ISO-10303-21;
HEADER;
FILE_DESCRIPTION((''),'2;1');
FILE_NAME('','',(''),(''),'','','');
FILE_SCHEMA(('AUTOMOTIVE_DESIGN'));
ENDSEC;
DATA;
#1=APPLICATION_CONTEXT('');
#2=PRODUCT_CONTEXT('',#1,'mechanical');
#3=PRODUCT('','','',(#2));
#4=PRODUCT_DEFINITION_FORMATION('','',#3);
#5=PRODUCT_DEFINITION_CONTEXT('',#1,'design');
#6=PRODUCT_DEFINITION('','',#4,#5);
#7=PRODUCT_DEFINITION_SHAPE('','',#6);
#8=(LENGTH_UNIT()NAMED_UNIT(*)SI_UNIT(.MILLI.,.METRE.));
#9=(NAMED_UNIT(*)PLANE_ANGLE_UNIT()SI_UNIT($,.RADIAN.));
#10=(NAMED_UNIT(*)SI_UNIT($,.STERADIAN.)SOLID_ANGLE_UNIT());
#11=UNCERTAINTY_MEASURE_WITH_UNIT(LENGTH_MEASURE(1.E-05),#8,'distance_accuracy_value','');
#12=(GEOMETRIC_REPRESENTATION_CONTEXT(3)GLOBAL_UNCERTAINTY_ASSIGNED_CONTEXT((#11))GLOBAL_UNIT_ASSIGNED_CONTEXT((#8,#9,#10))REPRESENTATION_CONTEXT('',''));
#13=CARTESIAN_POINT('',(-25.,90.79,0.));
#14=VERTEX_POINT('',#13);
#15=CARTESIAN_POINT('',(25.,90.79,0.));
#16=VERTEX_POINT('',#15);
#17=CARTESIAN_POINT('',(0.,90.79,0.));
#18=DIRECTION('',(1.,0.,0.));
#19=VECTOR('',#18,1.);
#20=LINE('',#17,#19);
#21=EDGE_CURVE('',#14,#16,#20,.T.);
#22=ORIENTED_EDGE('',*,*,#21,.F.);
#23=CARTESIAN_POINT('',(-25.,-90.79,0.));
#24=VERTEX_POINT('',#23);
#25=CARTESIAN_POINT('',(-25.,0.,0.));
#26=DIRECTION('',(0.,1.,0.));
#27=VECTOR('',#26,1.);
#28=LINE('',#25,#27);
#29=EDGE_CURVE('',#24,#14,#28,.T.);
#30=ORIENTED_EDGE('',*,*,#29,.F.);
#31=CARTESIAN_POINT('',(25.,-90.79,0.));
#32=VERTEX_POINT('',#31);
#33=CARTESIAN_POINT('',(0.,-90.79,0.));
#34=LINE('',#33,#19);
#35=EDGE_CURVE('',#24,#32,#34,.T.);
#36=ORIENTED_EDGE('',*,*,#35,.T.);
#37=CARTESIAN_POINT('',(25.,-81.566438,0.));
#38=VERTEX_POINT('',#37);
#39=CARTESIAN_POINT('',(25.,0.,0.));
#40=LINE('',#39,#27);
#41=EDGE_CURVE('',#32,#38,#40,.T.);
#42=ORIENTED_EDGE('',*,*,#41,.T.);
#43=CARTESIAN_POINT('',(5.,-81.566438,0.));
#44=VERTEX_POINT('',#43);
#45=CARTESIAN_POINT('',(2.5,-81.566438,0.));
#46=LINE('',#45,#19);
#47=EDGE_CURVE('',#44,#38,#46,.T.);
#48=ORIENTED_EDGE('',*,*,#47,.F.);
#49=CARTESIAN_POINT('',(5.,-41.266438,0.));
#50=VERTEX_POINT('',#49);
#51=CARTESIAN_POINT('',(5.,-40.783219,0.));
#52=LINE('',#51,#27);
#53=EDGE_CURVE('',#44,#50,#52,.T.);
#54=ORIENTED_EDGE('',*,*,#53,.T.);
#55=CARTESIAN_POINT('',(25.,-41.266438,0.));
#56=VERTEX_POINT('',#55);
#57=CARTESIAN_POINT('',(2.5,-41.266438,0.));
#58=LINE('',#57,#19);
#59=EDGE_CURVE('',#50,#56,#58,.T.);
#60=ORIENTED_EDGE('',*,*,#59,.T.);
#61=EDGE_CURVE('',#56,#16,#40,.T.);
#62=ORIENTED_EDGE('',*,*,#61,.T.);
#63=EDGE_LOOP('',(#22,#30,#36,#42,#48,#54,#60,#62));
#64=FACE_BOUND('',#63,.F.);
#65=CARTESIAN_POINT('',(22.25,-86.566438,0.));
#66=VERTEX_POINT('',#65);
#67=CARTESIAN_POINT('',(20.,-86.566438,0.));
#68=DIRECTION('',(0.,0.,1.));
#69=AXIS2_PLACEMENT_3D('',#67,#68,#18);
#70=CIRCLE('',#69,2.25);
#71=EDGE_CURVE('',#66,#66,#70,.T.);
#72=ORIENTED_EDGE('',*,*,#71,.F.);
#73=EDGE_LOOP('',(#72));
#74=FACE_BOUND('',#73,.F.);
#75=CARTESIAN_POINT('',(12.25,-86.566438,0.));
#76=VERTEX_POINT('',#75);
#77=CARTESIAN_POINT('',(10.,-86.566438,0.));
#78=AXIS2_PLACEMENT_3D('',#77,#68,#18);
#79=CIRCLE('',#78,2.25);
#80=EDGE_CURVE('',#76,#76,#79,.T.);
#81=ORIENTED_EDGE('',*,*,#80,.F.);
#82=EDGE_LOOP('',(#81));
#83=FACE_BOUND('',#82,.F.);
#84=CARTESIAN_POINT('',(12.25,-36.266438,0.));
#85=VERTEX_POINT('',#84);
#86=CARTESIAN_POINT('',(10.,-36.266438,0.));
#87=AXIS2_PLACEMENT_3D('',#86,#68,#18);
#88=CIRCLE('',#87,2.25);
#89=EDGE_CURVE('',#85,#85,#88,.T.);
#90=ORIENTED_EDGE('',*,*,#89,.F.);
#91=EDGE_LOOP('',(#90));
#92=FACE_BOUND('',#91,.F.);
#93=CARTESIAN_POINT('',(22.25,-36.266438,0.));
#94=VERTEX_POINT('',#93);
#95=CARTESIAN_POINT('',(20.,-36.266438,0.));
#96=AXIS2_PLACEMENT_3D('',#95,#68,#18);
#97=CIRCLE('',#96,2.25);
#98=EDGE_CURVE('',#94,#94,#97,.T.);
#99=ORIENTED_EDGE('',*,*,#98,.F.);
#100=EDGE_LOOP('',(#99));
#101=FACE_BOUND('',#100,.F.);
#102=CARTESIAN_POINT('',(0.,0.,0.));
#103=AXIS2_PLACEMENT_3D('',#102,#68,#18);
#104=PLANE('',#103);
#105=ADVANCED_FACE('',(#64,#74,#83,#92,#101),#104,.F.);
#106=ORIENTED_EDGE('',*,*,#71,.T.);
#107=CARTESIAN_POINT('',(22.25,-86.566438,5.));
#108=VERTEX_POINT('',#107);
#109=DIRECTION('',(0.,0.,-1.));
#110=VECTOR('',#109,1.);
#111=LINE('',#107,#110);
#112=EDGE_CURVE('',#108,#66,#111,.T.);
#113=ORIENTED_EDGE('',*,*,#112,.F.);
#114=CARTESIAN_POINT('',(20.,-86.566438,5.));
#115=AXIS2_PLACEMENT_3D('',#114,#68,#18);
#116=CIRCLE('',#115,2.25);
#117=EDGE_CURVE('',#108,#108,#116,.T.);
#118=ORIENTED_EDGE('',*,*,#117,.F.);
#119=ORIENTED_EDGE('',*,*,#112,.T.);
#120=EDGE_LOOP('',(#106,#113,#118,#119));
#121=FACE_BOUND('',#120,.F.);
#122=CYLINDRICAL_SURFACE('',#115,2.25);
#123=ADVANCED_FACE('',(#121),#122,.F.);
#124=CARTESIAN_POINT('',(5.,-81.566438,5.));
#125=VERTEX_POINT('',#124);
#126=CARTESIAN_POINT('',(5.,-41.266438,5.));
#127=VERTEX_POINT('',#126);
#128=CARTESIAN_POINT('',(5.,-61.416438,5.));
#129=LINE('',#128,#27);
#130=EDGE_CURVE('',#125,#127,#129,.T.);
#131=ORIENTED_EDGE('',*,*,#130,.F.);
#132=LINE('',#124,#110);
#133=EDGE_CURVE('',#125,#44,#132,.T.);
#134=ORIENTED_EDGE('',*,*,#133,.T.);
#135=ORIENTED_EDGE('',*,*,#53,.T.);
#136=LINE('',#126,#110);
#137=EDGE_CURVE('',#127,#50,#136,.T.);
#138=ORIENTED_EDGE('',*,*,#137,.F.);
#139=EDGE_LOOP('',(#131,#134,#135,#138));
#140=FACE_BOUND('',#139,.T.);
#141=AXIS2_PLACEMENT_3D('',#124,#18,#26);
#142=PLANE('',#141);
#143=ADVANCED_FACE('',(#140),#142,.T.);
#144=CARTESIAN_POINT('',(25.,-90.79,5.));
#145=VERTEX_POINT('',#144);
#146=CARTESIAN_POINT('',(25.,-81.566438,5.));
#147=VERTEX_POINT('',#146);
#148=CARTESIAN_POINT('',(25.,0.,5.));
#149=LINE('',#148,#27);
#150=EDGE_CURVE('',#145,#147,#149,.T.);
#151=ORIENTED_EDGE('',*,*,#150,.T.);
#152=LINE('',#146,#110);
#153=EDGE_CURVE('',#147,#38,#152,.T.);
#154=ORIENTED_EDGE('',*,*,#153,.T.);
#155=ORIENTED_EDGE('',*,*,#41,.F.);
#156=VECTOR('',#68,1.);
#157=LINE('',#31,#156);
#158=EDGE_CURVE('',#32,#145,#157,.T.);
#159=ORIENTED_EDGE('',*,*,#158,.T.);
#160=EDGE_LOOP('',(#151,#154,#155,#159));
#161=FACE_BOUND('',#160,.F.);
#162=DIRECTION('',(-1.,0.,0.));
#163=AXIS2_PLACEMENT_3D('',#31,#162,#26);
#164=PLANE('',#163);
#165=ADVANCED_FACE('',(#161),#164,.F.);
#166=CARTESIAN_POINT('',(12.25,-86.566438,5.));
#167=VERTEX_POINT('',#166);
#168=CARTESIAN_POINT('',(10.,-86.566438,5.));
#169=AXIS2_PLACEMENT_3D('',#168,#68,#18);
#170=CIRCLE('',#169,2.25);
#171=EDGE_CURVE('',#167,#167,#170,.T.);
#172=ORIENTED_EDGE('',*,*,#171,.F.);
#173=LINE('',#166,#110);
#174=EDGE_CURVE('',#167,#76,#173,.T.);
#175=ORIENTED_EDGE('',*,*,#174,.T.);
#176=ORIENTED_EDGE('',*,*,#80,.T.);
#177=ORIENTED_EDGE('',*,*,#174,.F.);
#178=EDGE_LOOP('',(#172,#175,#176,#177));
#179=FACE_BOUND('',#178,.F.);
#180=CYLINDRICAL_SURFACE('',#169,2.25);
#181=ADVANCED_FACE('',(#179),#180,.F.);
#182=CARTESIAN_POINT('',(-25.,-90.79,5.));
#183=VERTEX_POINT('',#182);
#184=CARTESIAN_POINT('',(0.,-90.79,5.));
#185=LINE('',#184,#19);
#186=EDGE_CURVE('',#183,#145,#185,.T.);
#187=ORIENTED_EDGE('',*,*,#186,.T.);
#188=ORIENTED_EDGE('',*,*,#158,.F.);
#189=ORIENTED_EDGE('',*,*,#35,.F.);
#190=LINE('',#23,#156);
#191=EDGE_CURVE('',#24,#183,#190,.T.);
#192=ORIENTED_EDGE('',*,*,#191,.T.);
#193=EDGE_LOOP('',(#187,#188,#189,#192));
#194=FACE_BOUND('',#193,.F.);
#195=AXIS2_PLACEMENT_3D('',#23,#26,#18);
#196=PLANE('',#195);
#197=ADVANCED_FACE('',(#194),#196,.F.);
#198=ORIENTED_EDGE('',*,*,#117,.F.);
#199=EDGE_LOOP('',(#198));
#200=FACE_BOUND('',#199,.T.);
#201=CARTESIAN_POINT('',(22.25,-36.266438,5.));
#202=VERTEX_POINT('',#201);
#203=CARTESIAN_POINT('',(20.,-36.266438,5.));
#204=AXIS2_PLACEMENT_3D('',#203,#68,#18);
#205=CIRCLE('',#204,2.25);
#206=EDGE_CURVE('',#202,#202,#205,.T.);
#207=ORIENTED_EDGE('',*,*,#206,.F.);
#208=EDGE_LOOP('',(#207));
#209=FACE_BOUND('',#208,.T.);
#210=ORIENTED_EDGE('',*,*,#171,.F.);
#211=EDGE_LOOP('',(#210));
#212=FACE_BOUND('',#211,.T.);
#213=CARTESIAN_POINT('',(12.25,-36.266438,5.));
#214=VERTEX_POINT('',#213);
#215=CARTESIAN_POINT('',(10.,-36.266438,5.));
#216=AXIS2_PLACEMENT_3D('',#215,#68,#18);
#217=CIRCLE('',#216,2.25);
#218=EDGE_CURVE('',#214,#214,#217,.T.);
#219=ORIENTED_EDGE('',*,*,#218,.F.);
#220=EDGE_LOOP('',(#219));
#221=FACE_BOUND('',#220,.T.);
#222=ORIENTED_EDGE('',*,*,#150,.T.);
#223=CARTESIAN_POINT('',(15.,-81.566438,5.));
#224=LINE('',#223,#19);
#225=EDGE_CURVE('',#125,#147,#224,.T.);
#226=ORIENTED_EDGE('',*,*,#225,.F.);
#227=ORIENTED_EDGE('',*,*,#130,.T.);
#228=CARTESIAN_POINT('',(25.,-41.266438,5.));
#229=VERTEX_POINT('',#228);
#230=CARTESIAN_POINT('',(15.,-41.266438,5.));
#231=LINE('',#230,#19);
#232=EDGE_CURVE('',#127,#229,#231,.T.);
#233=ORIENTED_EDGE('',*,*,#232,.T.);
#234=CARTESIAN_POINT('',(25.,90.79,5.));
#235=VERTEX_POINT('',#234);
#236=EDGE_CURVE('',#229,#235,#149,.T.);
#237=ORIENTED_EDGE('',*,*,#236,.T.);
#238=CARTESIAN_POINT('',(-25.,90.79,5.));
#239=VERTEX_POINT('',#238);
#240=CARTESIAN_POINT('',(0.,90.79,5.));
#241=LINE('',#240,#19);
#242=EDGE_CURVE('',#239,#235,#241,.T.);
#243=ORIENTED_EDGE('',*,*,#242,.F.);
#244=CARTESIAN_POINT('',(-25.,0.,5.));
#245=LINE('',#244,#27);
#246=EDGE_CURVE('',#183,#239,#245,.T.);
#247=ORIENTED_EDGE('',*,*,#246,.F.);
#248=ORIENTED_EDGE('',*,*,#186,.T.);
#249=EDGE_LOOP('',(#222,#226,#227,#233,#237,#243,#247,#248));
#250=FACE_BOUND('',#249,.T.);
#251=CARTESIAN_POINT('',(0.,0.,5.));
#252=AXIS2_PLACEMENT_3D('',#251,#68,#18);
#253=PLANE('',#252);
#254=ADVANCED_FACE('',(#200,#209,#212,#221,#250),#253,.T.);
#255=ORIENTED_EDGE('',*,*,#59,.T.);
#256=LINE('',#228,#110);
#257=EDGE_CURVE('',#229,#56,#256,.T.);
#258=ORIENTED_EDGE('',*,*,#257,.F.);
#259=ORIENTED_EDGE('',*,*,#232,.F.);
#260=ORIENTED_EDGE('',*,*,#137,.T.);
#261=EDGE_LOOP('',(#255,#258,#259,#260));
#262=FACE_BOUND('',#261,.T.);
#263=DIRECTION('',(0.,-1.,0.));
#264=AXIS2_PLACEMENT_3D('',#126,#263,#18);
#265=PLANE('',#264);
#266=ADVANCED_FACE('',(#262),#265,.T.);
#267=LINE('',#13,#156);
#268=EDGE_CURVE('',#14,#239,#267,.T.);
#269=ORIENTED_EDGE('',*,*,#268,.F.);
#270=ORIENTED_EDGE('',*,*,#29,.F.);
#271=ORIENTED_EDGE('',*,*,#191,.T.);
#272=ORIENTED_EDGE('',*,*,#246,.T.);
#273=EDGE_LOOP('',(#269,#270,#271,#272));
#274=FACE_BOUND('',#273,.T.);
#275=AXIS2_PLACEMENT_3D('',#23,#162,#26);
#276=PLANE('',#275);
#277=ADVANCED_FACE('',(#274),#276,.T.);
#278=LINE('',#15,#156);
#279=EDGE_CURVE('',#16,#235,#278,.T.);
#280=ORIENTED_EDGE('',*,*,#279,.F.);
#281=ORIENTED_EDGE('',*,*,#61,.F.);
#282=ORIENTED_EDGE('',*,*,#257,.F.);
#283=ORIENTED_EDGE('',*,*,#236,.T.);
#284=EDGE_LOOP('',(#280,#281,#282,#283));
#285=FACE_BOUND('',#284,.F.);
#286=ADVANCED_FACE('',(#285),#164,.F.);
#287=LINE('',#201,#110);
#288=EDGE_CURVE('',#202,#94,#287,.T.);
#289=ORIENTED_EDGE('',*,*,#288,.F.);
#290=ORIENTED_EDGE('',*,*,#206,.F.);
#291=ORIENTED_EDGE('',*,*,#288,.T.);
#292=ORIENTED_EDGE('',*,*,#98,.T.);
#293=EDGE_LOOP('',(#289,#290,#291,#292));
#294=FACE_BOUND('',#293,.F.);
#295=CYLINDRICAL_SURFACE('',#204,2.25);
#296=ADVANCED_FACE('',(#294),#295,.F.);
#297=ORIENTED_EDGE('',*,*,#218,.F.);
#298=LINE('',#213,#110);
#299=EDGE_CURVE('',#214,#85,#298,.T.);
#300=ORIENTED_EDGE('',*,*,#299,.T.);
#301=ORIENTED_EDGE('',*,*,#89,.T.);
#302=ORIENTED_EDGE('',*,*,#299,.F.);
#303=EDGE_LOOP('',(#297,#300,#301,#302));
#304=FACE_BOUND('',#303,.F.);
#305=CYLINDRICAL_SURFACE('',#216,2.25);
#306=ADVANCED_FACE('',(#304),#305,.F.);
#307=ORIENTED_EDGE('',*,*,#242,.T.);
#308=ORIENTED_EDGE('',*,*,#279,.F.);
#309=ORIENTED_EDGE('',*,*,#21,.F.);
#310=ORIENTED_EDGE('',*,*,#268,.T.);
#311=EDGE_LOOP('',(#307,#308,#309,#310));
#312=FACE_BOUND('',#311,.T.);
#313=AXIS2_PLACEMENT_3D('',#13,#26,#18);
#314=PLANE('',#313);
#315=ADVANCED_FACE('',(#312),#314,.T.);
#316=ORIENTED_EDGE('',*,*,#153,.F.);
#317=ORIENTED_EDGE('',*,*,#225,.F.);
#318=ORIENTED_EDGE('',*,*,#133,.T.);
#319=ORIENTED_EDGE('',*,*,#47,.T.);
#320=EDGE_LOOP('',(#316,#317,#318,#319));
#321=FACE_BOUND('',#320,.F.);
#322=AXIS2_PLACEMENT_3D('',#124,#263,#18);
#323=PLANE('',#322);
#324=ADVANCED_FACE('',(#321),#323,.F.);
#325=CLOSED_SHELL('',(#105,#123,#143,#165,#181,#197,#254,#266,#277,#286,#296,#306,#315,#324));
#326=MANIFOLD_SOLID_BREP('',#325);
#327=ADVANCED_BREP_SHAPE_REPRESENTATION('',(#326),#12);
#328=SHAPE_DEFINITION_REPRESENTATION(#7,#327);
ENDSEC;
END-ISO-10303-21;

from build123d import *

# Parameters (mm, degrees)
F0_W     = 50
F0_H     = 181.58
F1_DEPTH = 5
F2_W     = 20
F2_H     = 40.3
F2_R     = 2.25
F3_DEPTH = 25


with BuildPart() as f1:
    # F0 (on Top) → F1 (new body)
    with BuildSketch(Plane.XY):
        Rectangle(F0_W, F0_H)
    extrude(amount=F1_DEPTH)

    # F2 (on face) → F3 (cut)
    with BuildSketch(Plane.XY.offset(5)):
        with Locations((15, -61.416438)):
            Rectangle(F2_W, F2_H)
        with Locations((10, -36.266438)):
            Circle(F2_R)
        with Locations((20, -36.266438)):
            Circle(F2_R)
        with Locations((20, -86.566438)):
            Circle(F2_R)
        with Locations((10, -86.566438)):
            Circle(F2_R)
    extrude(amount=-F3_DEPTH, mode=Mode.SUBTRACT)


solid = f1.part
